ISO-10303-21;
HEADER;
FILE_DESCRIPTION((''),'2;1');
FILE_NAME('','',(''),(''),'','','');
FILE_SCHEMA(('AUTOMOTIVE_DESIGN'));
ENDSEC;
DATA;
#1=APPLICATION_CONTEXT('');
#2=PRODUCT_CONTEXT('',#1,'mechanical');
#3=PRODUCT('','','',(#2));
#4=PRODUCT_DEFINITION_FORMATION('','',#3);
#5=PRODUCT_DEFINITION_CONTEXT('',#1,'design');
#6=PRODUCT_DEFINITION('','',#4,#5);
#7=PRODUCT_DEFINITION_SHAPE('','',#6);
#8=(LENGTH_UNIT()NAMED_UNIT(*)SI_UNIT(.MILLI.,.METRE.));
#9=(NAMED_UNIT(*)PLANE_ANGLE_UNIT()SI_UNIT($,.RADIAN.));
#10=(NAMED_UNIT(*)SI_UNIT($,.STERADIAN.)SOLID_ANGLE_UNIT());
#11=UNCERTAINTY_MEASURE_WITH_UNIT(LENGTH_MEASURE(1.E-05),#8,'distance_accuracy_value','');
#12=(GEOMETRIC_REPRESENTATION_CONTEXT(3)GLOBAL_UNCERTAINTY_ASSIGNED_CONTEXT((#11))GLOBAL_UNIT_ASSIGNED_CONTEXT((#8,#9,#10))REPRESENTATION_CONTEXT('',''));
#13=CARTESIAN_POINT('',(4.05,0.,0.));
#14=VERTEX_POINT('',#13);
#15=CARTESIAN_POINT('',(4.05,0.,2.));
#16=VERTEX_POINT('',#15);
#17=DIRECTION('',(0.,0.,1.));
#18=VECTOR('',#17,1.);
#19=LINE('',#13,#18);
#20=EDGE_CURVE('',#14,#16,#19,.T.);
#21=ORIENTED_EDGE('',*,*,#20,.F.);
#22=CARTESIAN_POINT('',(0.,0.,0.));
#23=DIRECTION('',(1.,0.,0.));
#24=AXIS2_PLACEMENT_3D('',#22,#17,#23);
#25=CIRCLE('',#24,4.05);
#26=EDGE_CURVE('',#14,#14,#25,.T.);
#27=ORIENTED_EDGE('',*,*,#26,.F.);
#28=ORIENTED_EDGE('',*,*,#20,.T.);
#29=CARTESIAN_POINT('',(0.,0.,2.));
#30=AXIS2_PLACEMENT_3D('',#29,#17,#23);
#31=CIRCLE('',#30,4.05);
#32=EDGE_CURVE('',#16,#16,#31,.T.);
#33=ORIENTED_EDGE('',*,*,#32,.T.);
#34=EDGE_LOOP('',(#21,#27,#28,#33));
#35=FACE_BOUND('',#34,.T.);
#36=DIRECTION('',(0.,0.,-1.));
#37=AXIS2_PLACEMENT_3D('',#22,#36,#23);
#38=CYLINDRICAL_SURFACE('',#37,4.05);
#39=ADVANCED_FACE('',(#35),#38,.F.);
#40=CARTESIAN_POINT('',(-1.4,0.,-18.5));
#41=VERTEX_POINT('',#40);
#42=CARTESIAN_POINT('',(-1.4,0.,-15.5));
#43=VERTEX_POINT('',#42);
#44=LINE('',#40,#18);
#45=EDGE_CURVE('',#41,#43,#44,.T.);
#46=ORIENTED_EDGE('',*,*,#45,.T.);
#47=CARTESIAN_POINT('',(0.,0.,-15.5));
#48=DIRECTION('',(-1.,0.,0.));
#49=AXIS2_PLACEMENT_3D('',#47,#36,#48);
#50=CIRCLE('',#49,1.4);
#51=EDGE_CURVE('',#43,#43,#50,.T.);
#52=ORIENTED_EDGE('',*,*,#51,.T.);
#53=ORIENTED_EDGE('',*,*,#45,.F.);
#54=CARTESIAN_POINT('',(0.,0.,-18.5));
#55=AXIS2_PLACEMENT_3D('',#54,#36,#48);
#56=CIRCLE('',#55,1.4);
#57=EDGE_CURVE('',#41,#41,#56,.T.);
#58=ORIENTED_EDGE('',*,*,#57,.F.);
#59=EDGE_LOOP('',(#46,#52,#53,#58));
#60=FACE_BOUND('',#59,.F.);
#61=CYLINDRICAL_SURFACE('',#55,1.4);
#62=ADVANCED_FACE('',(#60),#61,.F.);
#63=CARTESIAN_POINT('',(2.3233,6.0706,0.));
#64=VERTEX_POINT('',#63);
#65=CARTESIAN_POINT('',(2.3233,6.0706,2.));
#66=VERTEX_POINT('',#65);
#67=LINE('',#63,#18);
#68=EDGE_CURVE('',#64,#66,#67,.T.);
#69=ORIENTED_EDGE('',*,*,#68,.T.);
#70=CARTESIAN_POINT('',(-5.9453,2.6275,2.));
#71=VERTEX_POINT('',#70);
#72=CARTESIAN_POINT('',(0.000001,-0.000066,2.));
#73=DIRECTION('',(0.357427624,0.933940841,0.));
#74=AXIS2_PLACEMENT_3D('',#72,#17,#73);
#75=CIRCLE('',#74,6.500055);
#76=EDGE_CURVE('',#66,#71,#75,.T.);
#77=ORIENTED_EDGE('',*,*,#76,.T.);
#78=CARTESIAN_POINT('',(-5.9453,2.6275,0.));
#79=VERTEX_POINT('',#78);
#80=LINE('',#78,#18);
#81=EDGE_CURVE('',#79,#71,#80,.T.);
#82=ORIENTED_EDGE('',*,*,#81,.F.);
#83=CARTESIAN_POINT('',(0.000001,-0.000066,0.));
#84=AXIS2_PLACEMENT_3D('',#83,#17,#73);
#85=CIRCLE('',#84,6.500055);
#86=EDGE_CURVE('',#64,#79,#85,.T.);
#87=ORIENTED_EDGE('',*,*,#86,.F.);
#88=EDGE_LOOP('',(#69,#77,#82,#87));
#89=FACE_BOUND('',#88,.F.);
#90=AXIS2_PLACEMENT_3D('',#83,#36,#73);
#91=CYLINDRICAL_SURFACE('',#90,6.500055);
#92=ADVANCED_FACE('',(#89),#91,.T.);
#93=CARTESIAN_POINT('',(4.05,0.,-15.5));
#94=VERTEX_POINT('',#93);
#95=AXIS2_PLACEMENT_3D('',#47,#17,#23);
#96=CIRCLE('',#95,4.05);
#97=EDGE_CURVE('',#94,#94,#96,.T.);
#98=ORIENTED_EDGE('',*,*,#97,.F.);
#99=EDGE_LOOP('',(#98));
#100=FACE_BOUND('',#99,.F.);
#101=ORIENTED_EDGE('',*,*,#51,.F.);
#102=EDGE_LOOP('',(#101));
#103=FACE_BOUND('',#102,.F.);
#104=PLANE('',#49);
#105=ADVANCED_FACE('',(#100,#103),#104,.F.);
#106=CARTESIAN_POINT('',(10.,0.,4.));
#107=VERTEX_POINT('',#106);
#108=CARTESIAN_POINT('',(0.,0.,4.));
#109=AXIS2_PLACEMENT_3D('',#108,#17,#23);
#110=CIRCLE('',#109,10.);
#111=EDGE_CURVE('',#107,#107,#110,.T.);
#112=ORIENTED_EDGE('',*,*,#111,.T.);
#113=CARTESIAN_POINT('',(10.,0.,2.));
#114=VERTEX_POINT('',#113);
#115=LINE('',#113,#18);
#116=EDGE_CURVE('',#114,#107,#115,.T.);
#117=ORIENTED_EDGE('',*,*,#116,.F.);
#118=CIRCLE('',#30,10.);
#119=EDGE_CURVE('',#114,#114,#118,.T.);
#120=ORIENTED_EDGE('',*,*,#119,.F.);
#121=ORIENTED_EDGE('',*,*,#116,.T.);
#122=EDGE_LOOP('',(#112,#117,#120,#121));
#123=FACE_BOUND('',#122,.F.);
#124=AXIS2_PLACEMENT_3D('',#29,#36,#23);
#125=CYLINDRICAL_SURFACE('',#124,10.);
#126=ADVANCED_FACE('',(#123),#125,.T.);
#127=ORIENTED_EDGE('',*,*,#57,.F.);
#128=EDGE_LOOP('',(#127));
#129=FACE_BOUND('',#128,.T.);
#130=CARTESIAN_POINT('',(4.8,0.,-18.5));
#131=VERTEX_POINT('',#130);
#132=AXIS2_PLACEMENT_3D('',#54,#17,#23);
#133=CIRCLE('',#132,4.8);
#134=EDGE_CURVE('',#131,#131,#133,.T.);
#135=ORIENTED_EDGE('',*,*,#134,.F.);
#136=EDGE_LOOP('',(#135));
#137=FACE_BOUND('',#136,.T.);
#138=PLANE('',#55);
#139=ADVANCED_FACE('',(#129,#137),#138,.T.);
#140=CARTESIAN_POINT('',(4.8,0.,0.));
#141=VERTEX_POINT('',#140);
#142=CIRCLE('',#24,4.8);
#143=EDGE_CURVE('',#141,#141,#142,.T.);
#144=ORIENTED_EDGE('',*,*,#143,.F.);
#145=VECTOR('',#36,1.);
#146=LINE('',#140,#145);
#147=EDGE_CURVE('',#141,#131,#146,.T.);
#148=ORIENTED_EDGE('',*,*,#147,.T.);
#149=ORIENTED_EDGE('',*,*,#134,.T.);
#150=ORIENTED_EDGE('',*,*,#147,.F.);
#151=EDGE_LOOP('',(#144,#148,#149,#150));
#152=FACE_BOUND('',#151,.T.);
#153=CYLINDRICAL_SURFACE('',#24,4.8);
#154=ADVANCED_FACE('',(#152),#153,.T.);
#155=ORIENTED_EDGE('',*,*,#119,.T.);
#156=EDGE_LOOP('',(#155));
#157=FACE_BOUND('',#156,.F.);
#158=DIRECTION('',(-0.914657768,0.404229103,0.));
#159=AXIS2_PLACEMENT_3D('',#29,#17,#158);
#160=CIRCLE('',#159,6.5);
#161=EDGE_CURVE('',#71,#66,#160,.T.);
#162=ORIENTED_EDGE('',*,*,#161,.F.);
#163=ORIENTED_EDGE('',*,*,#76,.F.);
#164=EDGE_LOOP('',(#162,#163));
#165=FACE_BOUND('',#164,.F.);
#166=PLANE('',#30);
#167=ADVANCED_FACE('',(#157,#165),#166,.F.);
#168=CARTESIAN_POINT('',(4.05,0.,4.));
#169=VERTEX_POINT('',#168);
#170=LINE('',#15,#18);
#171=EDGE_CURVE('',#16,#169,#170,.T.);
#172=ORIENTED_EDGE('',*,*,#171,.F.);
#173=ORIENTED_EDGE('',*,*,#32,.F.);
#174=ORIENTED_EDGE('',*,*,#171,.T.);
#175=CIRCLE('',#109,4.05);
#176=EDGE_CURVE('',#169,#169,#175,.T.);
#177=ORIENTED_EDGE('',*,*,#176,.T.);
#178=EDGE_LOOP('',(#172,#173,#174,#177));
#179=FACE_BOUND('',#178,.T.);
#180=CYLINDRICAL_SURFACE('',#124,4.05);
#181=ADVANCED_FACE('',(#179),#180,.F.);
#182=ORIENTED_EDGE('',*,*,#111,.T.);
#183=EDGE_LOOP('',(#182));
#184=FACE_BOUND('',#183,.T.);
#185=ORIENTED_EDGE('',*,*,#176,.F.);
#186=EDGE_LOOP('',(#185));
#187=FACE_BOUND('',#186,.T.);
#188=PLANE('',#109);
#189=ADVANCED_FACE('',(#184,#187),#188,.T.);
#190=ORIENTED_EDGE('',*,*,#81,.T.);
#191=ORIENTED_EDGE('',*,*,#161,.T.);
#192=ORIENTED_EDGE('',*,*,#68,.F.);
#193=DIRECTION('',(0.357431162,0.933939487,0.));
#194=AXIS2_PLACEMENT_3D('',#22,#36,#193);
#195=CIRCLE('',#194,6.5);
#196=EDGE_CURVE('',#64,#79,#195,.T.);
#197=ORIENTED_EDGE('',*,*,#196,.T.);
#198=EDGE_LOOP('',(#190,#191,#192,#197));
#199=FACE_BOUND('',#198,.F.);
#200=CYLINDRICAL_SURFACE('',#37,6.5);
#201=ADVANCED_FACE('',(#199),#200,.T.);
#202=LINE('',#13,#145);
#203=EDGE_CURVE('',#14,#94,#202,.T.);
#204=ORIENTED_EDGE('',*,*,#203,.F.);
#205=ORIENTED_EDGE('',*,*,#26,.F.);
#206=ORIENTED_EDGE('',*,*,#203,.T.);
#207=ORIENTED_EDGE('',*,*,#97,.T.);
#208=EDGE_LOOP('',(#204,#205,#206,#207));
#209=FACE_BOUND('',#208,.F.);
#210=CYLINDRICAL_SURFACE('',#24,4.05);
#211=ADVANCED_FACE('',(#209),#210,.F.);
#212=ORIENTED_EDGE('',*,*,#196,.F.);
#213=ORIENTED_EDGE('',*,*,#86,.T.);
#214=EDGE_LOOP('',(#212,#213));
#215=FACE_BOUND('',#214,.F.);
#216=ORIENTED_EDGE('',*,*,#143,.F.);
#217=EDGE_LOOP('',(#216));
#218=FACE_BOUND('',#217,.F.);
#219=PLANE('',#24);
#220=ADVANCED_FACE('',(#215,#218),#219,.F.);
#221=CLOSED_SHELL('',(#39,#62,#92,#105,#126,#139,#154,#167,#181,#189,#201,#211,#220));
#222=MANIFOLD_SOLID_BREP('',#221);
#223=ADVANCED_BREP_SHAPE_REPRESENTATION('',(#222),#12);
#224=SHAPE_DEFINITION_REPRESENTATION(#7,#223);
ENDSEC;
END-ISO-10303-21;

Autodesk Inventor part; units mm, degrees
ref_plane "YZ Plane" through (0, 0, 0) normal (1, 0, 0) x (0, 1, 0)
ref_plane "Arbeitsebene2" through (-24.4207, -24.3793, -13.5) normal (0, 0, -1) x (0, 1, 0)
ref_plane "Arbeitsebene3" through (-24.4207, -24.3793, -18.5) normal (0, 0, -1) x (0, 1, 0)
sketch "Skizze1" plane through (0, 0, 0) normal (0, 0, 1) x (1, 0, 0)
  arc A0 (-2.8009, 5.3061) -> (2.8009, 5.3061) centre (0, 0) ccw projected
  circle A1 centre (0, 0) radius 5 projected
  circle A2 centre (0, 0) radius 4.8
  circle A3 centre (0, 0) radius 4.05
  circle A4 centre (0, 0) radius 10
  point P0 (0, 0)
  dimension "d0" = 0.2
  dimension "d1" = 8.1
  dimension "d14" = 20
extrude "Extrusion1" add sketch "Skizze1" against normal up to surface (18.5 mm away) contours A2
sketch "Skizze2" plane through (0, 0, 0) normal (0, 0, 1) x (1, 0, 0)
  circle A0 centre (0, 0) radius 4.8 projected
  circle A1 centre (0, 0) radius 4.05 projected
  arc A2 (2.3233, 6.0706) -> (-5.9453, 2.6275) centre (0, 0) ccw projected
  circle A3 centre (0, 0) radius 6.5
  point P0 (-5.9453, 2.6275)
  point P1 (2.3233, 6.0706)
extrude "Extrusion2" add sketch "Skizze2" along normal blind 2 contours A0 | A3 A2
sketch "Skizze4" plane through (0, 0, -18.5) normal (0, 0, -1) x (-1, 0, 0)
  circle A0 centre (0, 0) radius 4.05 projected
  circle A1 centre (0, 0) radius 1.4
  point P0 (0, 0)
  dimension "d16" = 2.8
extrude "Extrusion4" add sketch "Skizze4" against normal blind 3
sketch "Skizze5" plane through (0, 0, 2) normal (0, 0, 1) x (1, 0, 0)
  circle A0 centre (0, 0) radius 6.5 projected
  circle A1 centre (0, 0) radius 6.5 projected
  circle A2 centre (0, 0) radius 4.05 projected
  circle A3 centre (0, 0) radius 10
  point P0 (0, 0)
  dimension "d19" = 20
extrude "Extrusion5" add sketch "Skizze5" along normal blind 2 contours A0 | A3
properties part number "50_ETL_Motionpart1_v0"
